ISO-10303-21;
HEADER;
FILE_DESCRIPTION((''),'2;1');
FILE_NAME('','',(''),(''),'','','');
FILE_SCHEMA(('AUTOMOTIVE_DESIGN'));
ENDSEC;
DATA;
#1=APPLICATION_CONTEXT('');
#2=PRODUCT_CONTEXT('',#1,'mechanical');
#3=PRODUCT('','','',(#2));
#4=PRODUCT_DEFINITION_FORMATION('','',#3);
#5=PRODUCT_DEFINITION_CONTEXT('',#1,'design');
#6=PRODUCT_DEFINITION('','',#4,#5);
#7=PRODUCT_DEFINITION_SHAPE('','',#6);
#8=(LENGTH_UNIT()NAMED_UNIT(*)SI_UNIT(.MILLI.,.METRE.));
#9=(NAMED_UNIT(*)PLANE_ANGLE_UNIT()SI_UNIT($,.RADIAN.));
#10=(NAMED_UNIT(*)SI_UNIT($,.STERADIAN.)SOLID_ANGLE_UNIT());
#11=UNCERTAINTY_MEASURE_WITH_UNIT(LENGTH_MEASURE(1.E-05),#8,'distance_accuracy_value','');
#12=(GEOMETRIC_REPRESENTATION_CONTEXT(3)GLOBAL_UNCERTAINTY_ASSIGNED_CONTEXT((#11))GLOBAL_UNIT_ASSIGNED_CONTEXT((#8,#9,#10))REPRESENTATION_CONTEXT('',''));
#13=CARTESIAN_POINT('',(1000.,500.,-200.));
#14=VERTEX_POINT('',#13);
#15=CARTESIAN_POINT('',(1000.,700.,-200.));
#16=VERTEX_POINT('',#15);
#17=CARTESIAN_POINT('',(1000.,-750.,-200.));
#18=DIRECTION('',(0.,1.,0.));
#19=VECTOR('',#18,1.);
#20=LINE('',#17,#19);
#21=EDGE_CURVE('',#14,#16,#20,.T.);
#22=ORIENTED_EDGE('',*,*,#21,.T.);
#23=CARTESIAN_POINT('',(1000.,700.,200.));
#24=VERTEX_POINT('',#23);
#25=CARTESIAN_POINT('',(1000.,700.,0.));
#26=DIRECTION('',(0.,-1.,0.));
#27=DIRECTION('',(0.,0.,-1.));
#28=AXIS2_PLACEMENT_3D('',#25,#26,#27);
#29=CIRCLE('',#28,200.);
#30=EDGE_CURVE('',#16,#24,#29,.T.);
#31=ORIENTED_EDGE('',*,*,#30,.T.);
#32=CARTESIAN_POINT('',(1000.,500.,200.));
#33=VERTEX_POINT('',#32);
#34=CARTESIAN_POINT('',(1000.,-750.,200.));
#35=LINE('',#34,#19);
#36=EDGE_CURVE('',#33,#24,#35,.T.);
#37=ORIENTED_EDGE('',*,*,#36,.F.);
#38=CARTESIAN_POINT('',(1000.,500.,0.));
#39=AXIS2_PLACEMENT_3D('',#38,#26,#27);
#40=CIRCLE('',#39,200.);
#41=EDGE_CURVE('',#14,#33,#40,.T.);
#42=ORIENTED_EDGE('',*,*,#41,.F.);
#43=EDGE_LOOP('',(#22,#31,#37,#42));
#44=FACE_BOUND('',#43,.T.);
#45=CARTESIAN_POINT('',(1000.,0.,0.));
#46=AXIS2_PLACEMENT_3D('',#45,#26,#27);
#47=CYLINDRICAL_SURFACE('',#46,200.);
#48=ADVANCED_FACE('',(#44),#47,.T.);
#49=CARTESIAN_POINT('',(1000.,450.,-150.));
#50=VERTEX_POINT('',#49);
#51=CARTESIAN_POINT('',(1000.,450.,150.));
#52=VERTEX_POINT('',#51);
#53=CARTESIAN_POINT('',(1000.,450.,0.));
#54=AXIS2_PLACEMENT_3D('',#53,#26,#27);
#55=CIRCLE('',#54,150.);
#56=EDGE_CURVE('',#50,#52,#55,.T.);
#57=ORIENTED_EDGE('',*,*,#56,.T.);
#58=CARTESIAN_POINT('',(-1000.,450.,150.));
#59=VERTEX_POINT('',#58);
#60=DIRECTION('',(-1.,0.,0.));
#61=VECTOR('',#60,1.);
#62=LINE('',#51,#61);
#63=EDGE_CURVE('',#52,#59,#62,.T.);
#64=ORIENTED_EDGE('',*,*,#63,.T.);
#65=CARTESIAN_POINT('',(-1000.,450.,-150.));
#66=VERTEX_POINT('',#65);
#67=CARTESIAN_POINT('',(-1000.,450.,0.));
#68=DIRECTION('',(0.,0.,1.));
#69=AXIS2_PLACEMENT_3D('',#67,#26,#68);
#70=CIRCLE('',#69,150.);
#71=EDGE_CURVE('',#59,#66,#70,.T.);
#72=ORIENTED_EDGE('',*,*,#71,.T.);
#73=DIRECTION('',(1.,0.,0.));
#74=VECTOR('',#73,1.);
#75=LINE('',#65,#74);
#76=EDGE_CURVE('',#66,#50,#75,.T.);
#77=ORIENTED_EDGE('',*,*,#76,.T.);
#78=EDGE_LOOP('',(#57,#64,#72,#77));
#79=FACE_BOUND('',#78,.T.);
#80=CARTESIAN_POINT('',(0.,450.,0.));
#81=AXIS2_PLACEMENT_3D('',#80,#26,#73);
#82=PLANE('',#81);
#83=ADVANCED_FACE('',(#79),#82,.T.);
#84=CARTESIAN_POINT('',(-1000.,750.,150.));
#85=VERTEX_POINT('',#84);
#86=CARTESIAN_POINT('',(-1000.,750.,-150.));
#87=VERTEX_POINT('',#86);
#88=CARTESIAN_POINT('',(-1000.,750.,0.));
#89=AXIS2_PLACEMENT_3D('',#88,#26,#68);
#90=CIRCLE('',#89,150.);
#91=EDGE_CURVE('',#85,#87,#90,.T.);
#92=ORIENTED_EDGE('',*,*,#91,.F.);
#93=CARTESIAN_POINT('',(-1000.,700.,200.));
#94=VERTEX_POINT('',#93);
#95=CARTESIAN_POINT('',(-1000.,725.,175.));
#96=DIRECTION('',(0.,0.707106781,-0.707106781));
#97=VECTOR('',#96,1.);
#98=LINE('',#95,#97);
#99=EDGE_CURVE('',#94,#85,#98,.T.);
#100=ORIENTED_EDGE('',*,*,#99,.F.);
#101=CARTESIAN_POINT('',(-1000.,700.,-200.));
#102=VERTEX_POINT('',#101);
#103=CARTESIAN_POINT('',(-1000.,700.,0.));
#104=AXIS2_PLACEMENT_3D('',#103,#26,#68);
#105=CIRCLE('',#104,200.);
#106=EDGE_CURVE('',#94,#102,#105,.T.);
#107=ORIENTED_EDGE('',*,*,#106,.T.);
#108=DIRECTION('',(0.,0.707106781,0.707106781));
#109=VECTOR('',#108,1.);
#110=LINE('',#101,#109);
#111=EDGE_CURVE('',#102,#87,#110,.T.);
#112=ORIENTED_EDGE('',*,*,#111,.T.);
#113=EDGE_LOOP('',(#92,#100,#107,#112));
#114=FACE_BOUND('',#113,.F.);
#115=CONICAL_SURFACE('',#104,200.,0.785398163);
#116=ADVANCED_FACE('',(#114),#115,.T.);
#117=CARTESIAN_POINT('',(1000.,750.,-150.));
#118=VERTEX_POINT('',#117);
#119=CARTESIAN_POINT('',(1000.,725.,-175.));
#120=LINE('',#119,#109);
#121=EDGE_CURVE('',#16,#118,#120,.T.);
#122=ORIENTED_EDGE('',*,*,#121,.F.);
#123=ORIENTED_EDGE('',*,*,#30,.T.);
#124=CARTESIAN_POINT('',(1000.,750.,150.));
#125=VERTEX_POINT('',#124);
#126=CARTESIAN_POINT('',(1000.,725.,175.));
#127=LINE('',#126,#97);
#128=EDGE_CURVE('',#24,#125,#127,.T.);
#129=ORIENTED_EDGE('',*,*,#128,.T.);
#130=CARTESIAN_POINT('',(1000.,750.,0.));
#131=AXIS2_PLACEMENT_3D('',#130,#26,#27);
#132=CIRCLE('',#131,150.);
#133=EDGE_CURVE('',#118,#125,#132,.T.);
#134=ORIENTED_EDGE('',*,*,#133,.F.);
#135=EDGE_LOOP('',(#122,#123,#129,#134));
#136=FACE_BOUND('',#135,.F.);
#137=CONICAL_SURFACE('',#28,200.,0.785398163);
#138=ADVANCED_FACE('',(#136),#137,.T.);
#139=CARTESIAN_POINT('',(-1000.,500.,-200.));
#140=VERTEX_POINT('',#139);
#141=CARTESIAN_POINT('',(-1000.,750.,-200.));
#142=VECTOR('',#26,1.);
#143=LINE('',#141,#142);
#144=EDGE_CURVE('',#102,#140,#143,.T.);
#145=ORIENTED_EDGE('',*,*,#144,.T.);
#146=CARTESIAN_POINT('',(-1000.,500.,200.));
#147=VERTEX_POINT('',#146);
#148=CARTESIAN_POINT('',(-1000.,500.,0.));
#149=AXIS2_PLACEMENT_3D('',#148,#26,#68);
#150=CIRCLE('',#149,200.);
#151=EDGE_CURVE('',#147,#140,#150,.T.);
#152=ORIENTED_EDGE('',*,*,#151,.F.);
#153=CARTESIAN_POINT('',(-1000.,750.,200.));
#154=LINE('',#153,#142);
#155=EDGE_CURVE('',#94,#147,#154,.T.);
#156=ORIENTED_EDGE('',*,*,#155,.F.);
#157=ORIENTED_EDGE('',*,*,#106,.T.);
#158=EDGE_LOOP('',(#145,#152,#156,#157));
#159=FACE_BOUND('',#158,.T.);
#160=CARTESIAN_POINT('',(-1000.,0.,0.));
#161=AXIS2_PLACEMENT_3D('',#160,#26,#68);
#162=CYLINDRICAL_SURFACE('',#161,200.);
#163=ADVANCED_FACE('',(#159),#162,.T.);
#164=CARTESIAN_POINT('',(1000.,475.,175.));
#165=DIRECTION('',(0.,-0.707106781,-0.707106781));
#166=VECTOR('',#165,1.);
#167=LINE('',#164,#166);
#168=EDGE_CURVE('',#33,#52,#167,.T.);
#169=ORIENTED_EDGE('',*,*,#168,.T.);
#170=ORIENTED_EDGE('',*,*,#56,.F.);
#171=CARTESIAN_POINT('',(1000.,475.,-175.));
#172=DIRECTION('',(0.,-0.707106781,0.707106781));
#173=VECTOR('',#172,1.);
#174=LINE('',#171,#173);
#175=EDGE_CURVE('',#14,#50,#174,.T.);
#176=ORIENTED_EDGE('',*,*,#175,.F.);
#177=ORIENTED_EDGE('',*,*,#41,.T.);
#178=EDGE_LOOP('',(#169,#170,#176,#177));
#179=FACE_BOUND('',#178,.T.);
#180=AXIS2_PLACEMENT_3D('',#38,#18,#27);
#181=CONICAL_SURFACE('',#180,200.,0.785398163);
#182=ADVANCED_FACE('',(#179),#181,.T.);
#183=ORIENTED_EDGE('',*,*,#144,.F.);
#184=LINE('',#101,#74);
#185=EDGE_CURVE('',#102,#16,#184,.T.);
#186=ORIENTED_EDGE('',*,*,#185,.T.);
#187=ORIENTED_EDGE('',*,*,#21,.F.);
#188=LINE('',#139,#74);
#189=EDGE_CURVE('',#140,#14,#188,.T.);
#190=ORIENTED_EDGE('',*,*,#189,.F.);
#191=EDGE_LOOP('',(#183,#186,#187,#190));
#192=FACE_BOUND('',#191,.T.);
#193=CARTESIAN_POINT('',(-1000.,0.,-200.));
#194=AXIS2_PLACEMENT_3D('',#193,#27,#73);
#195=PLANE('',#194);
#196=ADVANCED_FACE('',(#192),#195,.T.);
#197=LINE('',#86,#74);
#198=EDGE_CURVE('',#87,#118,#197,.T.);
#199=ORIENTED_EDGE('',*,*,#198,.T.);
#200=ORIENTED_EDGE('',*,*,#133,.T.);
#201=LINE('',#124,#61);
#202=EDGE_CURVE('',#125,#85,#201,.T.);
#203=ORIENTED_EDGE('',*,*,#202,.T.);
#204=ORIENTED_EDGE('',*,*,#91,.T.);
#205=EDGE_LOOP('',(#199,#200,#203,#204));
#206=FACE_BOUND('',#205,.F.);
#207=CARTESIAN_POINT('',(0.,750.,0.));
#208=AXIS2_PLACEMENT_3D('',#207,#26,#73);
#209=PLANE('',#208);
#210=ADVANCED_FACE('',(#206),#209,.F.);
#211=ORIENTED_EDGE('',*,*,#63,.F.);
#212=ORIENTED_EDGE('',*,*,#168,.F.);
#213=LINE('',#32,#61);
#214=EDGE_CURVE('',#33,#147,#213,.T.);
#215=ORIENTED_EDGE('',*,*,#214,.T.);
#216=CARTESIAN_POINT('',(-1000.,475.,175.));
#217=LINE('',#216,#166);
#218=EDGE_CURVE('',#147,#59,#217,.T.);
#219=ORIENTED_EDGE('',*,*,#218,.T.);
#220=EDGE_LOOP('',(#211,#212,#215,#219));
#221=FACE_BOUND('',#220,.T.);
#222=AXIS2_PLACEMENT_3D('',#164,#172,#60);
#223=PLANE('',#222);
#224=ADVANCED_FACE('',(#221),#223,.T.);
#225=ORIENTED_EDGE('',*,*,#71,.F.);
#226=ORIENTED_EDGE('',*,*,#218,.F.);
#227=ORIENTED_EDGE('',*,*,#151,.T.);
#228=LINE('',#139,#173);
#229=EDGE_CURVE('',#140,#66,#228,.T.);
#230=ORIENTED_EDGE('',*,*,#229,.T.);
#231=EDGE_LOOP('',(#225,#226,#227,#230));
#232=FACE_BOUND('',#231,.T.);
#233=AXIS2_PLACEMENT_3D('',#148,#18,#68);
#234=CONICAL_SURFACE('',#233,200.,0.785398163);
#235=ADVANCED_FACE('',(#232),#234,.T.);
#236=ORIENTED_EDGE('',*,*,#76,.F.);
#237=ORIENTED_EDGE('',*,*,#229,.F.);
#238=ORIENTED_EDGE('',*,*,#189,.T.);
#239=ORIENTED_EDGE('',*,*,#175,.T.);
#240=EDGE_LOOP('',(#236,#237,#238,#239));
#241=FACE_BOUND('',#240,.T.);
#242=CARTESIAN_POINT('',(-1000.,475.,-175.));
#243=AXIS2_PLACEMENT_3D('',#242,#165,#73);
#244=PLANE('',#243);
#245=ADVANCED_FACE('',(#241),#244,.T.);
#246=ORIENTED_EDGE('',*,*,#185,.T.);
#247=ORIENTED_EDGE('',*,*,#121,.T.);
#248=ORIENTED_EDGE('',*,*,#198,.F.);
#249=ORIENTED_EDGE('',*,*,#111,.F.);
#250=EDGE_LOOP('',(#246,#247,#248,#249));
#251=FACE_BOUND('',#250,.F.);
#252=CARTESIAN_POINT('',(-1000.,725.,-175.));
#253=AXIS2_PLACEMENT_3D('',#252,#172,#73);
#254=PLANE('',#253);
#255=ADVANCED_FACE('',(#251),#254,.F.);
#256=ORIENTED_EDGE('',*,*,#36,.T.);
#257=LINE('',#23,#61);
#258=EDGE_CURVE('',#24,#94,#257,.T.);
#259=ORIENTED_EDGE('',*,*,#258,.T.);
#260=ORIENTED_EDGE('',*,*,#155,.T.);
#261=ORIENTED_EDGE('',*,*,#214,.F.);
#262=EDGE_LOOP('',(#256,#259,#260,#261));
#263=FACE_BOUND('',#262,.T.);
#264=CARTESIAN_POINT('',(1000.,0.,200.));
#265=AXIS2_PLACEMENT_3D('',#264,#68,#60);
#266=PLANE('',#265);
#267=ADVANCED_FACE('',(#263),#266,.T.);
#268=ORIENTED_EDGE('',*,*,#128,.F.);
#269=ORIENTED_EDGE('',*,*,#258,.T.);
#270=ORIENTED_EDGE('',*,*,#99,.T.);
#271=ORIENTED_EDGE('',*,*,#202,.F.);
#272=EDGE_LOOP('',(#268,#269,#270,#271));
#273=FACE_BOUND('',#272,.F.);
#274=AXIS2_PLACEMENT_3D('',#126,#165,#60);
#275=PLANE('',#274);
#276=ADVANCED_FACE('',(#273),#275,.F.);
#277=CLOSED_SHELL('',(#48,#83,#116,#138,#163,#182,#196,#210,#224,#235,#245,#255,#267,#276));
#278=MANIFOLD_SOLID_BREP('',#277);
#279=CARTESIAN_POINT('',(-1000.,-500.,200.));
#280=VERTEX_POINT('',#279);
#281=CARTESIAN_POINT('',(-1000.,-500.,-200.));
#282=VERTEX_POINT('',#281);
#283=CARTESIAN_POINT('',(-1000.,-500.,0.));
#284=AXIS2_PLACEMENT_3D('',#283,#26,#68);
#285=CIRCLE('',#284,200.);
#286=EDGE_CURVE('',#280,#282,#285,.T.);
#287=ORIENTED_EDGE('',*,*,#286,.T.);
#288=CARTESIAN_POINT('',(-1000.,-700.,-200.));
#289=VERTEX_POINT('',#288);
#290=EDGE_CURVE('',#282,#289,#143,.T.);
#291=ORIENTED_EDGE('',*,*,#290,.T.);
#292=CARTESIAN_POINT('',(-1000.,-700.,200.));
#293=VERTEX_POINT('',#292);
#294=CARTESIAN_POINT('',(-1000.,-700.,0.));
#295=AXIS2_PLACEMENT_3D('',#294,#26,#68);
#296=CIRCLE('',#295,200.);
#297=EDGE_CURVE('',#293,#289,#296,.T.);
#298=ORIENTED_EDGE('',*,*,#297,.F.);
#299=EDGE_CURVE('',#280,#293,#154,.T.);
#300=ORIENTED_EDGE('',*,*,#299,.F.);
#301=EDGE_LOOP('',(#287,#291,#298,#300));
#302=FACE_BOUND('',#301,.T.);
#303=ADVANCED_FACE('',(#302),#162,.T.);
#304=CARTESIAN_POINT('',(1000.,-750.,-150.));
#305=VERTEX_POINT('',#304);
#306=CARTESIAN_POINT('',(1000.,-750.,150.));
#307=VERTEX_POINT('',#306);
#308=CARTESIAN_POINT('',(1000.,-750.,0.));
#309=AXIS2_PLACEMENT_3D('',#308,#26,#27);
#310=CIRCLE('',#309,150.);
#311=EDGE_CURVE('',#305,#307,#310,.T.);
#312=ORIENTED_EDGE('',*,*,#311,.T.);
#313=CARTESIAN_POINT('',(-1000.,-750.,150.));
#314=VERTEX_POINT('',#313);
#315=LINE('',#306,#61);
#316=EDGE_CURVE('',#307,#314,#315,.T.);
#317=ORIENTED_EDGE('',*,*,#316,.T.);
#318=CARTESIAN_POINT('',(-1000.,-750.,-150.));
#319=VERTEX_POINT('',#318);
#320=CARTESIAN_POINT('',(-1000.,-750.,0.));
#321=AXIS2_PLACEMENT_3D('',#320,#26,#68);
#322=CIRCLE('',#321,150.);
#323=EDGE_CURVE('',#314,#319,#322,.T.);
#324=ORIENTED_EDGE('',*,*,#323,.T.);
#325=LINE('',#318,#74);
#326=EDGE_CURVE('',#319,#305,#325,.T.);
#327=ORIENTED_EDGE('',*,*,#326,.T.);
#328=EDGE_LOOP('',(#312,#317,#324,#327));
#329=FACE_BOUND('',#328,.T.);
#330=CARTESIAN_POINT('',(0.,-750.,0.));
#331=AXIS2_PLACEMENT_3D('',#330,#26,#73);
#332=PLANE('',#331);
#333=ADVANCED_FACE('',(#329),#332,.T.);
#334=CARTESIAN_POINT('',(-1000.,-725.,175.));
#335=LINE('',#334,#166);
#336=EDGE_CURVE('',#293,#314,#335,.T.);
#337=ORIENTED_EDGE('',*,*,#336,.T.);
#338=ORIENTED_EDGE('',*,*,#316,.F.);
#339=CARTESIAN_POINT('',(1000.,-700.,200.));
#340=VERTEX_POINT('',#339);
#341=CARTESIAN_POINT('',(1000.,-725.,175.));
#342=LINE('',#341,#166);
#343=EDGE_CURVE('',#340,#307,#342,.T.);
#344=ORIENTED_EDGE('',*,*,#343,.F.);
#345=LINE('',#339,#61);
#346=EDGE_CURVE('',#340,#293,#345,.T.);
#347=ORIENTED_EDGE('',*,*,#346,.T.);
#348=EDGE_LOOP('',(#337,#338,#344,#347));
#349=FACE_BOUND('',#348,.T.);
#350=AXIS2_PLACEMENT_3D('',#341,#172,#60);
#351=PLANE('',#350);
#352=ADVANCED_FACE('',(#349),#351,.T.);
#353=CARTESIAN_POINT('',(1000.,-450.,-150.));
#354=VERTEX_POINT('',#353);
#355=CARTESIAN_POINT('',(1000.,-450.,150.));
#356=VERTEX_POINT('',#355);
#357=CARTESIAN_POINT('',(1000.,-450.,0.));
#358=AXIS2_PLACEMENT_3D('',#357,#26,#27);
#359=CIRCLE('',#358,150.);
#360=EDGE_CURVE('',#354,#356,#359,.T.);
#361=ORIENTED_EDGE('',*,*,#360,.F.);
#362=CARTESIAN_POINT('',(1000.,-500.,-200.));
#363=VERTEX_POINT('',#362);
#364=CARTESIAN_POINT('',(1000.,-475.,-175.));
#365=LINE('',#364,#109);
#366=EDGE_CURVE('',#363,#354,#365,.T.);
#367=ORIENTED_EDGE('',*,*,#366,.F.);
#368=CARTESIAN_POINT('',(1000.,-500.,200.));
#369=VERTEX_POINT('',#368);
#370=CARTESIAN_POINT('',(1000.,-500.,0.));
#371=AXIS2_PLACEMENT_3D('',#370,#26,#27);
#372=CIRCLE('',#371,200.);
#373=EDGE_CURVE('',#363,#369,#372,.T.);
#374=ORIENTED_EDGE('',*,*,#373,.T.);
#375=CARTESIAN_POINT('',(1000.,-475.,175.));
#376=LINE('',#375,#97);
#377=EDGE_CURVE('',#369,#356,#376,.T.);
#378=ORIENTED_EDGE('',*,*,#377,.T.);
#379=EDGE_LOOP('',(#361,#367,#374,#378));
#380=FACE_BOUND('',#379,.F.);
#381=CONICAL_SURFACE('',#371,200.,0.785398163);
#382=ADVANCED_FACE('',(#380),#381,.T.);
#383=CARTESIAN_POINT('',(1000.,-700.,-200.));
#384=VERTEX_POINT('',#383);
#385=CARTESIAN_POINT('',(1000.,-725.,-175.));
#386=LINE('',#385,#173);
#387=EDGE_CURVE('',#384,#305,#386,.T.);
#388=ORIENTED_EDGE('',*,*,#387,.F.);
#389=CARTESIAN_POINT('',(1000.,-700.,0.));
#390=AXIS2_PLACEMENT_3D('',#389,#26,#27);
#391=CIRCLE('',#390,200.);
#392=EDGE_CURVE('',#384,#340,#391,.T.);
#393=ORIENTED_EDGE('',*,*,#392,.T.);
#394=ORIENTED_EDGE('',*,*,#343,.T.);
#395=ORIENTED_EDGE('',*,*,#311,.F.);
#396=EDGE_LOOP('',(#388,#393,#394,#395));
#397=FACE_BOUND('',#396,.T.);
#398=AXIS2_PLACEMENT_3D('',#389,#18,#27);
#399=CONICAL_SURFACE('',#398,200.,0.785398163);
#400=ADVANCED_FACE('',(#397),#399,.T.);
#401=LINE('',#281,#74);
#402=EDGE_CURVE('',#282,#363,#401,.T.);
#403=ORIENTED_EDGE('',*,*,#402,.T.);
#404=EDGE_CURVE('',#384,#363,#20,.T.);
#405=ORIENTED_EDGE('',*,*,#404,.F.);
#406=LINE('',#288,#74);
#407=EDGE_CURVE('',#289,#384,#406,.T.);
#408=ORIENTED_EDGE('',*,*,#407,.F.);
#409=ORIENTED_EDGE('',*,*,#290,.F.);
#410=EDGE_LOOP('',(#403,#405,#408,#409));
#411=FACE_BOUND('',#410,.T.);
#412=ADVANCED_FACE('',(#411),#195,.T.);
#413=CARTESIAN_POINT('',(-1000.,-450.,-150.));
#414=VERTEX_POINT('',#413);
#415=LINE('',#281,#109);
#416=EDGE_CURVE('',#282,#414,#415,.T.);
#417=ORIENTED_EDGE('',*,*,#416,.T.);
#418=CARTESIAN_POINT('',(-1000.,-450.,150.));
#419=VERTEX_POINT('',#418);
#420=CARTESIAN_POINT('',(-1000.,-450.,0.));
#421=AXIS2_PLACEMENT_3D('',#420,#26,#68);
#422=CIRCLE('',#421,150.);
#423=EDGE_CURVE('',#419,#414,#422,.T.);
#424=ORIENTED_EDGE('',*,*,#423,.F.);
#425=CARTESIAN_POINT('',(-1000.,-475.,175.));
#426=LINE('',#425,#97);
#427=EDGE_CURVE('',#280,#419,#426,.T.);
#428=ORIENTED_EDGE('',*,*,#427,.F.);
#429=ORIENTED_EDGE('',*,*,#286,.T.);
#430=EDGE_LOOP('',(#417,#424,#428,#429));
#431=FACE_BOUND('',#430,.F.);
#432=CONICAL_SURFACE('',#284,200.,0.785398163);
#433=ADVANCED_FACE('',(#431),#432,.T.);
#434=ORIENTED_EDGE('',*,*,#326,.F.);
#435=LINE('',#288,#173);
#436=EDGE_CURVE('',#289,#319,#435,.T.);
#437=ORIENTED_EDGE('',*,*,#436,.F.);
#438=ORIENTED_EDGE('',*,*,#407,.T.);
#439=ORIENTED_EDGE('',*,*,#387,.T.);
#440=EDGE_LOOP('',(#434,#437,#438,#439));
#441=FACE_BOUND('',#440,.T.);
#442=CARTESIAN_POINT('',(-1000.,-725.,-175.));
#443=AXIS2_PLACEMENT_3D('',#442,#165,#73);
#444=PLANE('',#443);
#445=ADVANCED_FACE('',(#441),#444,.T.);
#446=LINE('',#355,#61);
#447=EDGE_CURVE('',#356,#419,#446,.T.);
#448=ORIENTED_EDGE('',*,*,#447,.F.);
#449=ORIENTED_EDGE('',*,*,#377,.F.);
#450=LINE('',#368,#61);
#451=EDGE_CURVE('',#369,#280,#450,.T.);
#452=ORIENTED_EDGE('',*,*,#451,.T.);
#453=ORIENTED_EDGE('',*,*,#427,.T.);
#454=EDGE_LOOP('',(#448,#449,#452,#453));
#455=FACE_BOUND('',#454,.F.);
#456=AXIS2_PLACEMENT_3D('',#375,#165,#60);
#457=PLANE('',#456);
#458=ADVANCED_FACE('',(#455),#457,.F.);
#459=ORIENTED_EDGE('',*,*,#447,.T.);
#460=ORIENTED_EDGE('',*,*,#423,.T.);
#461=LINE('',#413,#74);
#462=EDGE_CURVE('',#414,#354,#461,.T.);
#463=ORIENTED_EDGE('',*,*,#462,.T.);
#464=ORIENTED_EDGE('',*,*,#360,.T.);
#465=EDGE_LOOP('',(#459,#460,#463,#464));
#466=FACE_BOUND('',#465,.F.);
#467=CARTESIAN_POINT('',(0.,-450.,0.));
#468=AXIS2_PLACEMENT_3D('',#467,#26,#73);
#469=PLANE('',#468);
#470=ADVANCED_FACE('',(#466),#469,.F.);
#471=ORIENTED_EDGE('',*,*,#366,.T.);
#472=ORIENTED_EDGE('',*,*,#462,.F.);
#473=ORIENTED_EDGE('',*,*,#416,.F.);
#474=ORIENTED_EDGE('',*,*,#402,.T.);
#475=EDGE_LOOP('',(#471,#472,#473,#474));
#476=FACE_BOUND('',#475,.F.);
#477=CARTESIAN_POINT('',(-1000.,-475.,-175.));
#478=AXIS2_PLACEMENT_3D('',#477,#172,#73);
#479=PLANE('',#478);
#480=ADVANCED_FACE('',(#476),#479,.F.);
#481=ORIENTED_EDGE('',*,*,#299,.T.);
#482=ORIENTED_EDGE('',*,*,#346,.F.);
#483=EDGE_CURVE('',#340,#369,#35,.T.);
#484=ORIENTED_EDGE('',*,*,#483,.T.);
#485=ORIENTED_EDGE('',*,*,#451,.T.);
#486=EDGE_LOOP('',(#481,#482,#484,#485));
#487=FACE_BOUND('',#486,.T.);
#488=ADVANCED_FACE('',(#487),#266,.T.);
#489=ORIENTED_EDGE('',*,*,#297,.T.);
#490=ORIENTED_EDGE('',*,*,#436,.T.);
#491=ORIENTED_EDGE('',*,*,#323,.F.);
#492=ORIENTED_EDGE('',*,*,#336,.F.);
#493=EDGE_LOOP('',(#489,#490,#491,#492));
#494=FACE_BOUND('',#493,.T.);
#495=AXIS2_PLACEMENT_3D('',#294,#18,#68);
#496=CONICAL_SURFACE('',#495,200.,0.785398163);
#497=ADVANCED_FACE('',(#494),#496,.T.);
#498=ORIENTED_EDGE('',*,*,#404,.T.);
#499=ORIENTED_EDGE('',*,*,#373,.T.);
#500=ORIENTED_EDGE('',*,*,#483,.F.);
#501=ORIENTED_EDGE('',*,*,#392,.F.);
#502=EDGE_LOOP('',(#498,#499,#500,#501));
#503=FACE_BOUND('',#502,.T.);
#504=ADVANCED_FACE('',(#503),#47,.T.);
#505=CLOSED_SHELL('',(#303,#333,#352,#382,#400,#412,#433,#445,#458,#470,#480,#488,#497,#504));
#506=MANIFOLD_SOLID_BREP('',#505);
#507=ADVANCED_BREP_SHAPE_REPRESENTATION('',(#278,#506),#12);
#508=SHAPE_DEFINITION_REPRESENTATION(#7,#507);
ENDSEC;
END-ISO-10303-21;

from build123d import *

# Parameters (mm, degrees)
F1_DEPTH = 750
F2_DEPTH = 450
F3_SIZE  = 50


with BuildPart() as f1:
    # F0 (on Front) → F1 (new body, symmetric)
    with BuildSketch(Plane.XZ):
        with BuildLine():
            Line((1000, 200), (-1000, 200))
            ThreePointArc((-1000, 200), (-1200, 0), (-1000, -200))
            Line((-1000, -200), (1000, -200))
            ThreePointArc((1000, -200), (1200, 0), (1000, 200))
        make_face()
    extrude(amount=F1_DEPTH, both=True)

    # F0 (on Front) → F2 (cut, symmetric)
    with BuildSketch(Plane.XZ):
        with BuildLine():
            Line((1000, 200), (-1000, 200))
            ThreePointArc((-1000, 200), (-1200, 0), (-1000, -200))
            Line((-1000, -200), (1000, -200))
            ThreePointArc((1000, -200), (1200, 0), (1000, 200))
        make_face()
    extrude(amount=F2_DEPTH, both=True, mode=Mode.SUBTRACT)

    # F3
    f3_edges = [f1.edges().sort_by_distance(p)[0] for p in [
        (0, -750, 200),
        (-1200, -750, 0),
        (0, -750, -200),
        (1200, -750, 0),
        (0, 450, 200),
        (0, 750, 200),
        (0, -450, 200),
    ]]
    chamfer(f3_edges, length=F3_SIZE)


solid = f1.part
